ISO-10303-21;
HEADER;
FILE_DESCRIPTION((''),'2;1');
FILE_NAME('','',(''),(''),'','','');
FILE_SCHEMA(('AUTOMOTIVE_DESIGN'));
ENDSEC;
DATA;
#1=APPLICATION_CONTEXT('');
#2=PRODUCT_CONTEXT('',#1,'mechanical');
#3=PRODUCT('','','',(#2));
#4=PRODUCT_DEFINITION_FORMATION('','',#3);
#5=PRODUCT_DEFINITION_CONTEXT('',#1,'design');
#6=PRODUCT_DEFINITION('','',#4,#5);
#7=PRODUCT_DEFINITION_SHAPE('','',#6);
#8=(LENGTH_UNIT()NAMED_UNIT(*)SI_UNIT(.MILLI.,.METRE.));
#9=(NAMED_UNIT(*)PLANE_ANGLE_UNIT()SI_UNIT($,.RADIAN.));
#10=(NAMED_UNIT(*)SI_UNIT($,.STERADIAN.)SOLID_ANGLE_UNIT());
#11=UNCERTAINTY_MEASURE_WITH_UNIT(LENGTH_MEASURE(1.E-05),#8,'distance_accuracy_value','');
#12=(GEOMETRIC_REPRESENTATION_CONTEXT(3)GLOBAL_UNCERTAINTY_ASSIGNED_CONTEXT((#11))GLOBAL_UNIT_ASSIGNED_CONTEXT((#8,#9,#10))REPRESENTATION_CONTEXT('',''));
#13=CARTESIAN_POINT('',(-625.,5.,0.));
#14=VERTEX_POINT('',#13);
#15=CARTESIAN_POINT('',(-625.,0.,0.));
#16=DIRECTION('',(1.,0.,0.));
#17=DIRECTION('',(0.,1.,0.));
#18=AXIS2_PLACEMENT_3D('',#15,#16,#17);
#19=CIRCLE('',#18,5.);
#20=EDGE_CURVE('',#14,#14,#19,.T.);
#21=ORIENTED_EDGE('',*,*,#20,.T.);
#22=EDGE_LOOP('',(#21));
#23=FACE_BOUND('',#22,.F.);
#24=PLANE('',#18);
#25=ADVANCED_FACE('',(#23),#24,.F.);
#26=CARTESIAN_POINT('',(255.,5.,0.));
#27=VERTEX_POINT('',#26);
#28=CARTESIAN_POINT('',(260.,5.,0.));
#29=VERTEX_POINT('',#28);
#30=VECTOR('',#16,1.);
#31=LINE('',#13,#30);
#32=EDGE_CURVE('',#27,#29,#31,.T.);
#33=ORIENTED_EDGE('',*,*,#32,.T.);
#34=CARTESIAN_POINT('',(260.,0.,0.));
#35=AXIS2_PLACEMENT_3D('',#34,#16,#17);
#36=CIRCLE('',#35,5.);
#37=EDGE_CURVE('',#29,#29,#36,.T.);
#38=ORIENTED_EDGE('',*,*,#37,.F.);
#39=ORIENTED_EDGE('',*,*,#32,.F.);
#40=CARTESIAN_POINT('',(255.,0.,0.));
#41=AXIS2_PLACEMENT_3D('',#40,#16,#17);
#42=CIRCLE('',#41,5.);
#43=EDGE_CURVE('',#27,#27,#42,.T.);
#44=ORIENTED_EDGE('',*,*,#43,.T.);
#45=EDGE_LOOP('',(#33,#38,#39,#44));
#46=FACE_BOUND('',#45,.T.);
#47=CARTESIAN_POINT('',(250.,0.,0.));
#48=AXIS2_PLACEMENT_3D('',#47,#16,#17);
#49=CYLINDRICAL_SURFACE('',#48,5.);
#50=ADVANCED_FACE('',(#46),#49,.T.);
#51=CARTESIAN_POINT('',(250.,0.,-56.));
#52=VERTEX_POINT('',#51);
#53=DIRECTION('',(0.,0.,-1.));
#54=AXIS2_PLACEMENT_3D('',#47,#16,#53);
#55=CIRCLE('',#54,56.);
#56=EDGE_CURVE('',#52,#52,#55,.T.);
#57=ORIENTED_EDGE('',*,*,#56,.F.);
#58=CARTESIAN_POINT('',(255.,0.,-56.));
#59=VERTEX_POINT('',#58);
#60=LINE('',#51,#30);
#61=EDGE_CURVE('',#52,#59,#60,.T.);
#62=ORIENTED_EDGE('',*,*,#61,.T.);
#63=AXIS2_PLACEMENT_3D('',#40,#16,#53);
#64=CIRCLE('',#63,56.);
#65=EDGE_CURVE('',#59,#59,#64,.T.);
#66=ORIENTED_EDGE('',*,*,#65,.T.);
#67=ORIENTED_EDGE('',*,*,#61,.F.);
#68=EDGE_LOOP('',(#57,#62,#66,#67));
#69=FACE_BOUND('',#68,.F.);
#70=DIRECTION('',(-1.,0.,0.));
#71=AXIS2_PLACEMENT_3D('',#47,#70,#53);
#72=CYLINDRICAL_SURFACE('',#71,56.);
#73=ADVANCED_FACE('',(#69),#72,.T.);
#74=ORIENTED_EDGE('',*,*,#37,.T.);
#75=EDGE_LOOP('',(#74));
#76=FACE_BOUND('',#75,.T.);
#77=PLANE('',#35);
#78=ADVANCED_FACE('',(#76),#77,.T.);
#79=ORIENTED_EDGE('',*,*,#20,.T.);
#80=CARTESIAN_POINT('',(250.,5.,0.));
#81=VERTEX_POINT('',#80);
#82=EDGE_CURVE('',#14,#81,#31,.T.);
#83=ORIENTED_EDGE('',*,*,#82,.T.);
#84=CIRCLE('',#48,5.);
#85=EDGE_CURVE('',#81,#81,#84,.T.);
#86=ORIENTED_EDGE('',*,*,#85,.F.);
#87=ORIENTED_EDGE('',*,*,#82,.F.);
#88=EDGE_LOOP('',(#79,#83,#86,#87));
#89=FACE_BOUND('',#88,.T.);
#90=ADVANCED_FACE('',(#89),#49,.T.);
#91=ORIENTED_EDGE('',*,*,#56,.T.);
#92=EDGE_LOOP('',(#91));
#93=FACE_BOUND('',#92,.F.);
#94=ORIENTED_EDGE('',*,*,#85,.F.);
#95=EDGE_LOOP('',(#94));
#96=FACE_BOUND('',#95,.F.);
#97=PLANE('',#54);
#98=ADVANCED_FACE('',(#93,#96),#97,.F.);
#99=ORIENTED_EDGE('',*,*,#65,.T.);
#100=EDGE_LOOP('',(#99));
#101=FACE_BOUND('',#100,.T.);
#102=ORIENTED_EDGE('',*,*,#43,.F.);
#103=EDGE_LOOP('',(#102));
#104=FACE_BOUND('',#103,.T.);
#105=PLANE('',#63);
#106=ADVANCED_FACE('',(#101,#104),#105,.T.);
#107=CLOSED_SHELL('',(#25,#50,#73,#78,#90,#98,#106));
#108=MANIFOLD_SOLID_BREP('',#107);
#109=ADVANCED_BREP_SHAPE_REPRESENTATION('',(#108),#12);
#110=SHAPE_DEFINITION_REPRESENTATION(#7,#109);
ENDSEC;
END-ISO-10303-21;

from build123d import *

# Parameters (mm, degrees)
CYLINDER001_R           = 56
CYLINDER001_DEPTH       = 5
CYLINDER001_PITCH_ANGLE = 90
SKETCH002_R             = 5
PAD001_DEPTH            = 10
PAD001_DEPTH_BACK       = 875


with BuildPart() as flange_for_rod001:
    # Cylinder001 → Cylinder001 (new body)
    with BuildSketch(Plane.XY):
        Circle(CYLINDER001_R)
    extrude(amount=CYLINDER001_DEPTH)


with BuildPart() as flange_for_rod001_1:
    # Cylinder001 pitch: moved
    add(flange_for_rod001.part.rotate(Axis((0, 0, 0), (0, 1, 0)), CYLINDER001_PITCH_ANGLE))


with BuildPart() as flange_for_rod001_2:
    # Cylinder001 placement: moved
    add(flange_for_rod001_1.part)


with BuildPart() as rod_flange001:
    # Sketch002 → Pad001 (new body, two sides)
    with BuildSketch(Plane.YZ) as pad001_sk:
        Circle(SKETCH002_R)
    extrude(amount=PAD001_DEPTH)
    extrude(pad001_sk.sketch, amount=-PAD001_DEPTH_BACK)

    # Fusion001: union Flange_for_Rod001
    add(flange_for_rod001_2.part)


with BuildPart() as rod_flange001_1:
    # Fusion001 placement: moved
    add(rod_flange001.part.moved(Location((250, 0, 0))))


solid = rod_flange001_1.part
